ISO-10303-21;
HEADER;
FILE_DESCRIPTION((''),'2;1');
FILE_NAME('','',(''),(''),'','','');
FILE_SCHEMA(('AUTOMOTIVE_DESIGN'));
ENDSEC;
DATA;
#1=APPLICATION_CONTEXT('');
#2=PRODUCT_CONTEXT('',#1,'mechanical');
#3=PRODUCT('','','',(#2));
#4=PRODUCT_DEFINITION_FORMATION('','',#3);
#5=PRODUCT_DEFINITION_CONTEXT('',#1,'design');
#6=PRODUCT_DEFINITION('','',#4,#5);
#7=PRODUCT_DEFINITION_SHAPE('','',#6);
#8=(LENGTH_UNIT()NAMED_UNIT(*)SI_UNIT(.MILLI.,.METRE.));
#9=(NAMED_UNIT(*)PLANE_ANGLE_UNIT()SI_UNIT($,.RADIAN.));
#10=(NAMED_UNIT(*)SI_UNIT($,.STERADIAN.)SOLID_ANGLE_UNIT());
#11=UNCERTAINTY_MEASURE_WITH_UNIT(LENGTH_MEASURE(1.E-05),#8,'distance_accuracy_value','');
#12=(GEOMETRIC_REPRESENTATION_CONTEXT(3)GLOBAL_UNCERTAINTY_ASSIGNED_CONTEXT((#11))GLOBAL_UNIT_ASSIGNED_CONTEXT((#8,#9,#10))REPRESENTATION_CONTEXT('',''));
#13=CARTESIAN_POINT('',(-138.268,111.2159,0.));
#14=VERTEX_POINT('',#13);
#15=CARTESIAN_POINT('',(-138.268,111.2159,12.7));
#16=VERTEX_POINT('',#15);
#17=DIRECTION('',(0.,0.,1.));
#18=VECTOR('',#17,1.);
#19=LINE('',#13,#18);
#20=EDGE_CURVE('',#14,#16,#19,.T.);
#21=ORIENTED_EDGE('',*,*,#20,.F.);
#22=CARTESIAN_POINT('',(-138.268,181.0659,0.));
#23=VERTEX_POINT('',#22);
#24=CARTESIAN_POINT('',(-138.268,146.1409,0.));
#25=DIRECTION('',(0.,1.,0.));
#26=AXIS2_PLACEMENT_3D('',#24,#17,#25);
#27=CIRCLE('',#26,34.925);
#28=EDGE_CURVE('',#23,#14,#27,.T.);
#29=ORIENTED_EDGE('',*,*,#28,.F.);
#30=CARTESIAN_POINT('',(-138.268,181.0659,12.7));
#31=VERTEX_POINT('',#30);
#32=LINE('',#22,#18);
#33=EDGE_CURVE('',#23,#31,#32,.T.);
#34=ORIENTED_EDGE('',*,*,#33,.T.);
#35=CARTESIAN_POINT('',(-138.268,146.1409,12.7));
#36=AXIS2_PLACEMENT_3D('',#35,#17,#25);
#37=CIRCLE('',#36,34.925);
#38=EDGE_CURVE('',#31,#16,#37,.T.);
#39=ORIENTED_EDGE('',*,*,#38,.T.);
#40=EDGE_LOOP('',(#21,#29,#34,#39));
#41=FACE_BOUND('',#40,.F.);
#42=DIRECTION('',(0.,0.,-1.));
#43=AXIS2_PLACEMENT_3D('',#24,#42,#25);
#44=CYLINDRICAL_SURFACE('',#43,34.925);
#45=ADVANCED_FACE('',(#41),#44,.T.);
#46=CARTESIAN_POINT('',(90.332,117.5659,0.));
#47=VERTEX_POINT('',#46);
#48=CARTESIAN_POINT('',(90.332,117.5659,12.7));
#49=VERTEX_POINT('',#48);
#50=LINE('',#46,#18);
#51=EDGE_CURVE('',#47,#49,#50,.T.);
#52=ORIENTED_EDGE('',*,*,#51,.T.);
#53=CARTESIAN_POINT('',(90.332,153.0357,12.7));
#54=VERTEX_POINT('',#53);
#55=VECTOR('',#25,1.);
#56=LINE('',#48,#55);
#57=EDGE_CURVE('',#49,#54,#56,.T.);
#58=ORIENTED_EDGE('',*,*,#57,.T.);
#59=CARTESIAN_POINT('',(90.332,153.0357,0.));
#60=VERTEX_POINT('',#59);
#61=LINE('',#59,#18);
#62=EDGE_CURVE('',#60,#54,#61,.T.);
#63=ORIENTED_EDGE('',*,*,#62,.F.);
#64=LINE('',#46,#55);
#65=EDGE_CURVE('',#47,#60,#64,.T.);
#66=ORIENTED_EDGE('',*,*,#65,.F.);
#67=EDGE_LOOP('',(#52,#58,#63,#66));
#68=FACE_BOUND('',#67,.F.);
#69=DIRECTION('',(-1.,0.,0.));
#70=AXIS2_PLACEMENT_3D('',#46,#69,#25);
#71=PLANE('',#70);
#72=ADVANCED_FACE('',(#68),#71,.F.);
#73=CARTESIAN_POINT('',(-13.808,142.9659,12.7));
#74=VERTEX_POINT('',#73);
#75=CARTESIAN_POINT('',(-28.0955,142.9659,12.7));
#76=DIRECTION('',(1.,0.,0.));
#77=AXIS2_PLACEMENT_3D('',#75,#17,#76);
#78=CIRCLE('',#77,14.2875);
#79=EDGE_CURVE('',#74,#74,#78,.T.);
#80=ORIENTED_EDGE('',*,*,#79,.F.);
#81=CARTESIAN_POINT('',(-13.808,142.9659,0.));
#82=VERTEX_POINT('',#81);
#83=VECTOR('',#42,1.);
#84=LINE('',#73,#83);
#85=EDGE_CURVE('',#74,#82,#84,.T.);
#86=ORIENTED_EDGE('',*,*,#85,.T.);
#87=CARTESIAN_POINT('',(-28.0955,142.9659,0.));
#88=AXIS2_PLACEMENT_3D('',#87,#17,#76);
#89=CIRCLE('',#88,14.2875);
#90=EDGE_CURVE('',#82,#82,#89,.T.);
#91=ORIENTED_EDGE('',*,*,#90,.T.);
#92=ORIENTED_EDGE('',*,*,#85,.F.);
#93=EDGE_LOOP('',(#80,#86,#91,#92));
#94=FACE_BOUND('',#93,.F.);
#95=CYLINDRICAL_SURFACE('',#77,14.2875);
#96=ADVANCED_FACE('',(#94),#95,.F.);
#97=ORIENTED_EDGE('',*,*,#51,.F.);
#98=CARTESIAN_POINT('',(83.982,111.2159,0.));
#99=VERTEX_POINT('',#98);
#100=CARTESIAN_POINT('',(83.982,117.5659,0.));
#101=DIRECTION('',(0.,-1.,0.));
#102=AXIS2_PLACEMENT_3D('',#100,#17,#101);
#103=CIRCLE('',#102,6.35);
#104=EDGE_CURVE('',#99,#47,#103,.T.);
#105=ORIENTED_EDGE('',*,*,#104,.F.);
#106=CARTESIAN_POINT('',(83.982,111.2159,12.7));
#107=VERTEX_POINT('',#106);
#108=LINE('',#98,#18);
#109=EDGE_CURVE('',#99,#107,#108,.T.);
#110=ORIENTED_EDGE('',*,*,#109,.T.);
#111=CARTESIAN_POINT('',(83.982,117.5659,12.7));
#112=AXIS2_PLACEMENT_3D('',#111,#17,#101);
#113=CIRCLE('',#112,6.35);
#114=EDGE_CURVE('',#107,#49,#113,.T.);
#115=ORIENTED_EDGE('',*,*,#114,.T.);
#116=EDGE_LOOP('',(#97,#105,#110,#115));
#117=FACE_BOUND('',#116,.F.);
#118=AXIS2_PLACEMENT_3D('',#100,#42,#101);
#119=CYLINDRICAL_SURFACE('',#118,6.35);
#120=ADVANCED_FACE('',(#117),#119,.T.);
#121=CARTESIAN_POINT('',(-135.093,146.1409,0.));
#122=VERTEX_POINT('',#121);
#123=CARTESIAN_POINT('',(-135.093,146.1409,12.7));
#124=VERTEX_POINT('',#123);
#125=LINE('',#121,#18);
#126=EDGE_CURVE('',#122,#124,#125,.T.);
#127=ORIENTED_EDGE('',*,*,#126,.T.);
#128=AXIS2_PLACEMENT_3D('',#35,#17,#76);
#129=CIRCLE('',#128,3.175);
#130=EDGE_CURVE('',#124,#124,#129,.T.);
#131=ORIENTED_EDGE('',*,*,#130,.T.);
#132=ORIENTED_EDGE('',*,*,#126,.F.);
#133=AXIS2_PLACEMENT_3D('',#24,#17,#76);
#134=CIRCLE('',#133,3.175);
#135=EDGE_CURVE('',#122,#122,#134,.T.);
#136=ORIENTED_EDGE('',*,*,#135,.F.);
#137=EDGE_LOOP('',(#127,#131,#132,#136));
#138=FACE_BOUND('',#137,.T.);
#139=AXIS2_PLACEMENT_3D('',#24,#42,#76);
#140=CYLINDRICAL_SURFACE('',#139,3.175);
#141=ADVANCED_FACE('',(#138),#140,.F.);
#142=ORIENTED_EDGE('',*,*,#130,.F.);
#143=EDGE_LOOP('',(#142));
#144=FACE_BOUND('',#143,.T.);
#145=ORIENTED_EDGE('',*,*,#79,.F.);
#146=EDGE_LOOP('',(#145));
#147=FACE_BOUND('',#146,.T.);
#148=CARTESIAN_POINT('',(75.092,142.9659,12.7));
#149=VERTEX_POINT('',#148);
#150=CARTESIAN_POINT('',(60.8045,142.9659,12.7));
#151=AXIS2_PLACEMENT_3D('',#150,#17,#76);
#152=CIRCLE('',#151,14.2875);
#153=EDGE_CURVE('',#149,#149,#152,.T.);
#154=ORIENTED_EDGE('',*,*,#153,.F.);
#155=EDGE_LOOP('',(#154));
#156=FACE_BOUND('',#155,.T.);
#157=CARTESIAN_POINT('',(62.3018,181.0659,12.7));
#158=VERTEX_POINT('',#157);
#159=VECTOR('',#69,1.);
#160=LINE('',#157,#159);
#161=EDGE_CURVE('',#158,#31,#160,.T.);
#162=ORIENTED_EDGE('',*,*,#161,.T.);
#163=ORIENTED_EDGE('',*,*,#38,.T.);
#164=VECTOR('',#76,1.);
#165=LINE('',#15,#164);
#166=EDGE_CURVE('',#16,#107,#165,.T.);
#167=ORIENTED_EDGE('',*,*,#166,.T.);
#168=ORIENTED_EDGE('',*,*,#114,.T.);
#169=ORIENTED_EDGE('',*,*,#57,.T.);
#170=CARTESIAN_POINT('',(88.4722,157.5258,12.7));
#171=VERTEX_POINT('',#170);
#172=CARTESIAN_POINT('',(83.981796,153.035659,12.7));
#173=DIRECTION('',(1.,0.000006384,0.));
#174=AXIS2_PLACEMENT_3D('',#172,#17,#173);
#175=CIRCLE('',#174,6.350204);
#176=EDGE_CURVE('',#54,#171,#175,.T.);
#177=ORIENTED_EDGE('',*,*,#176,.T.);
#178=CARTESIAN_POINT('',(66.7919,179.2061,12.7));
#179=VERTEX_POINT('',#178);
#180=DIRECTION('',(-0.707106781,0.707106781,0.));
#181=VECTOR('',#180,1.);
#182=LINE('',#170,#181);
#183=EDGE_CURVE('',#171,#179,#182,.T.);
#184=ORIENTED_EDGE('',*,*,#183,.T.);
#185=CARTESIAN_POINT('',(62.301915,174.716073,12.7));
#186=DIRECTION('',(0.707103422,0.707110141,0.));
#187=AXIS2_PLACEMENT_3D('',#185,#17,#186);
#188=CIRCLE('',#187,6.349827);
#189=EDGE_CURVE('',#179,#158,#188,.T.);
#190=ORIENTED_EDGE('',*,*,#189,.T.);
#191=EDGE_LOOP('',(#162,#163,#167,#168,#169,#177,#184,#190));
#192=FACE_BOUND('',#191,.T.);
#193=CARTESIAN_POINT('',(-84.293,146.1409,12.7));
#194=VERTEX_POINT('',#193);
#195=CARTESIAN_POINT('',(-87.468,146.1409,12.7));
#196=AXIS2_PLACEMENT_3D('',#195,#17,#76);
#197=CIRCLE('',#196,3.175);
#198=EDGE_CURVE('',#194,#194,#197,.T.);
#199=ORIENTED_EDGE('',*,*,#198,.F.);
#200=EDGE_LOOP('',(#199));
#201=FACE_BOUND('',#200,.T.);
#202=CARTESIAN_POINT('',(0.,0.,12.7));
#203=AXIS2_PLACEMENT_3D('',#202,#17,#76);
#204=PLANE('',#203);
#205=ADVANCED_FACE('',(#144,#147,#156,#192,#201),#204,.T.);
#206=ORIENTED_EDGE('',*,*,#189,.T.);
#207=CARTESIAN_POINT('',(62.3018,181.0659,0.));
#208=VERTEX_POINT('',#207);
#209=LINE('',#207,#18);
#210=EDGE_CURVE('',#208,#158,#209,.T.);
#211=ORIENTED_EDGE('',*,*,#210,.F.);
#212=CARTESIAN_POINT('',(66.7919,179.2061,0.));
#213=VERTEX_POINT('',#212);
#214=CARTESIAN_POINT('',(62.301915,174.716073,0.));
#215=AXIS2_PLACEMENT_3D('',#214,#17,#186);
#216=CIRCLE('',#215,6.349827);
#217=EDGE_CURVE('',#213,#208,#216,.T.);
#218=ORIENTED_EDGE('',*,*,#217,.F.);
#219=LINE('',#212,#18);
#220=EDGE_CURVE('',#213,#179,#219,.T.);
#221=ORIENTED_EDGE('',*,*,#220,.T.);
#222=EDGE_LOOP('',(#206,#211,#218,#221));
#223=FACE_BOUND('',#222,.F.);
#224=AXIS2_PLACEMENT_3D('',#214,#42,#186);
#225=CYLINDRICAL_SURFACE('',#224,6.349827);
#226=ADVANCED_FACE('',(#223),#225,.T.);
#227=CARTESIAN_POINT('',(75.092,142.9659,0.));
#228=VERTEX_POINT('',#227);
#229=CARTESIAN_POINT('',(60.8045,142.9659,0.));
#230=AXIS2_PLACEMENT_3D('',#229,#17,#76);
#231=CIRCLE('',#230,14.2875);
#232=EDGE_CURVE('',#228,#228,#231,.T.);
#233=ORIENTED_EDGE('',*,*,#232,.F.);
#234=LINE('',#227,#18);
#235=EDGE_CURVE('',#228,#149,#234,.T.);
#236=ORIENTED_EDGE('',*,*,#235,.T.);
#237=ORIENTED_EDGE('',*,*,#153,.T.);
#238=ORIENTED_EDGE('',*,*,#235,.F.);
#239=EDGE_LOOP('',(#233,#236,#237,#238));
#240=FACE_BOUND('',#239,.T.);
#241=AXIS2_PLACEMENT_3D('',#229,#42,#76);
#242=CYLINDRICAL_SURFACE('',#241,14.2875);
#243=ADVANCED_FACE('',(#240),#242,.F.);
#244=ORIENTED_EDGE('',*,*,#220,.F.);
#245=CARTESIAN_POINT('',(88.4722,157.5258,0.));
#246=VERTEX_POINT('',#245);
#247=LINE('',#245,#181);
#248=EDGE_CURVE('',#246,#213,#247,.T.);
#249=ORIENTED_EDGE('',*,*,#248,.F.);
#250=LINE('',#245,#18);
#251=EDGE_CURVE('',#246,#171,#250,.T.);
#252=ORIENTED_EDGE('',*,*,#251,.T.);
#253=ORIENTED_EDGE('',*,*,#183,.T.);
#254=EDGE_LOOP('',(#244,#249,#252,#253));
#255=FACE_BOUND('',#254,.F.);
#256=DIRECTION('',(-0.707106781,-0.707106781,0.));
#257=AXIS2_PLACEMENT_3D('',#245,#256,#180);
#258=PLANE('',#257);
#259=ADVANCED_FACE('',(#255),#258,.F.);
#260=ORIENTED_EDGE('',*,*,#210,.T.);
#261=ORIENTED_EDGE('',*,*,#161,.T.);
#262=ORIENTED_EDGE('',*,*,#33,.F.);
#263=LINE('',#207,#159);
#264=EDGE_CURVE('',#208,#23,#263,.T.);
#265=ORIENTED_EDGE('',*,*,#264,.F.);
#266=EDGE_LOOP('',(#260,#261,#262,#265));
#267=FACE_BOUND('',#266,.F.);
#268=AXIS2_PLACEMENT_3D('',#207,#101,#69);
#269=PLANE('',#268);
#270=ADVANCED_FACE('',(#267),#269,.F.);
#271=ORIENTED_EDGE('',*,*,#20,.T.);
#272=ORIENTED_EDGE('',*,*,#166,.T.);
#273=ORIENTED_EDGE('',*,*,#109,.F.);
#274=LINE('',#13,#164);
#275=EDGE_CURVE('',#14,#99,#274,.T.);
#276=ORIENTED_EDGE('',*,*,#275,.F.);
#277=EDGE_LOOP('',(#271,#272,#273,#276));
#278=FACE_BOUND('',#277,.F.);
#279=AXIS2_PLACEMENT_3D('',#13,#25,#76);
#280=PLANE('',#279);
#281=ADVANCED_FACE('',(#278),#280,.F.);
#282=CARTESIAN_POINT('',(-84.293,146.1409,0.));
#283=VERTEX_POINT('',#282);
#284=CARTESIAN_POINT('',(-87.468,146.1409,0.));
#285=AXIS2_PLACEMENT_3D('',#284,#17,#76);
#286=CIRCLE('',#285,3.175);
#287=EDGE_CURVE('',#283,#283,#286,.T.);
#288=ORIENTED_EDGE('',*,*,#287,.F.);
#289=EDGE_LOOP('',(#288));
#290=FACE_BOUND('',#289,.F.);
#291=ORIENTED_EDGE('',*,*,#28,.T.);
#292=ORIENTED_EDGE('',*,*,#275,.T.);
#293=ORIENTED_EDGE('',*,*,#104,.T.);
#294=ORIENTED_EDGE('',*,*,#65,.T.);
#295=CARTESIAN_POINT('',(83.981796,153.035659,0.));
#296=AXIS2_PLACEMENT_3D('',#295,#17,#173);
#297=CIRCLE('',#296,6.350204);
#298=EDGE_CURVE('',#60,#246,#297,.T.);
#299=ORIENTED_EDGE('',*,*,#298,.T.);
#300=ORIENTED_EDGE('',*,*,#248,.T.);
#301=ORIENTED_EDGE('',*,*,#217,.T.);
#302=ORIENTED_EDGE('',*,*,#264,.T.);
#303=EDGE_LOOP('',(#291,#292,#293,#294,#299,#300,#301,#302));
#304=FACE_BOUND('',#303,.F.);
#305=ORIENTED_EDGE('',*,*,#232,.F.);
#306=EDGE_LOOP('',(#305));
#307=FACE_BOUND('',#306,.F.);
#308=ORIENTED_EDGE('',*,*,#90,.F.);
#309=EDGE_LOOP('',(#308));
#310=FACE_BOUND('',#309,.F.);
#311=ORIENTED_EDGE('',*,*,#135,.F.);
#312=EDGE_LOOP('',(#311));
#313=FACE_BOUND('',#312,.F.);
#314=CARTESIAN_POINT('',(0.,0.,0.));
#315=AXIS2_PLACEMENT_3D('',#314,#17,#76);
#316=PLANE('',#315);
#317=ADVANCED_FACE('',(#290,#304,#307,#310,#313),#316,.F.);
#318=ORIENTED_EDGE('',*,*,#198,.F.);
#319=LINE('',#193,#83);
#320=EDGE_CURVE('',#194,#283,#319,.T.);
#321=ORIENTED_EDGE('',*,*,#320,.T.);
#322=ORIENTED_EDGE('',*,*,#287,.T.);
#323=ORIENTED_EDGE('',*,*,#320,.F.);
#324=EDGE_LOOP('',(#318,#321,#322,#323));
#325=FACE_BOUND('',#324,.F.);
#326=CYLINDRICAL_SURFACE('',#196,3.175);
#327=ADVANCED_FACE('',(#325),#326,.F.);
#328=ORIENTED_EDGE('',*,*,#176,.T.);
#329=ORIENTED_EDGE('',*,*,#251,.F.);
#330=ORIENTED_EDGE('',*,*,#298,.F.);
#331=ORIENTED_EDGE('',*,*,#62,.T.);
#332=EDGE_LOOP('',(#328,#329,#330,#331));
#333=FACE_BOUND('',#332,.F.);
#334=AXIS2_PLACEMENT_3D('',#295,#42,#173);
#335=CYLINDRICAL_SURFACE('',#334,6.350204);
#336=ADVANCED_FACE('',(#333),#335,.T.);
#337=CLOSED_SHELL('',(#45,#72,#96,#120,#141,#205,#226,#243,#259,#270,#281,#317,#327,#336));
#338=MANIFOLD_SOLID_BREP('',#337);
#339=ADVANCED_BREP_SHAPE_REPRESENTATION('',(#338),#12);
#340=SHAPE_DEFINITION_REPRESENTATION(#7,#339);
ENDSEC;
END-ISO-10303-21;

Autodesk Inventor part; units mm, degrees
ref_plane "YZ Plane" through (0, 0, 0) normal (1, 0, 0) x (0, 1, 0)
ref_plane "XZ Plane" through (0, 0, 0) normal (0, 1, 0) x (-1, 0, 0)
ref_plane "XY Plane" through (0, 0, 0) normal (0, 0, 1) x (1, 0, 0)
sketch "Sketch1" plane through (0, 0, 0) normal (0, 0, 1) x (1, 0, 0)
  line L0 (90.332, 117.5659) -> (90.332, 153.0357)
  line L1 (88.4722, 157.5258) -> (66.7919, 179.2061)
  line L2 (62.3018, 181.0659) -> (-138.268, 181.0659)
  circle A0 centre (60.8045, 142.9659) radius 14.2875
  arc A1 (66.7919, 179.2061) -> (62.3018, 181.0659) centre (62.3018, 174.7159) ccw
  arc A2 (90.332, 153.0357) -> (88.4722, 157.5258) centre (83.982, 153.0357) ccw
  arc A3 (83.982, 111.2159) -> (90.332, 117.5659) centre (83.982, 117.5659) ccw
  line L3 (-138.268, 111.2159) -> (83.982, 111.2159)
  arc A4 (-138.268, 181.0659) -> (-138.268, 111.2159) centre (-138.268, 146.1409) ccw
  circle A5 centre (-138.268, 146.1409) radius 3.175
  dimension "d61" = 69.85
  dimension "d68" = 222.25
  dimension "d69" = 200.5697
  dimension "d71" = 28.575
  dimension "d72" = 6.35
extrude "Extrusion10" add sketch "Sketch1" along normal blind 12.7
sketch "Sketch8" plane through (0, 0, 12.7) normal (0, 0, 1) x (1, 0, 0)
  circle A0 centre (60.8045, 142.9659) radius 14.2875 projected
  circle A1 centre (-138.268, 146.1409) radius 3.175 projected
  line L0 (62.3018, 181.0659) -> (-138.268, 181.0659) projected
  arc A2 (-138.268, 181.0659) -> (-138.268, 111.2159) centre (-138.268, 146.1409) ccw projected
  line L1 (-138.268, 111.2159) -> (83.982, 111.2159) projected
  arc A3 (83.982, 111.2159) -> (90.332, 117.5659) centre (83.982, 117.5659) ccw projected
  line L2 (90.332, 117.5659) -> (90.332, 153.0357) projected
  arc A4 (90.332, 153.0357) -> (88.4722, 157.5258) centre (83.982, 153.0357) ccw projected
  line L3 (88.4722, 157.5258) -> (66.7919, 179.2061) projected
  arc A5 (66.7919, 179.2061) -> (62.3018, 181.0659) centre (62.3018, 174.7159) ccw projected
  circle A6 centre (60.8045, 142.9659) radius 50.8 construction
  line L4 (60.8045, 142.9659) -> (-28.0955, 142.9659) construction
  circle A7 centre (-28.0955, 142.9659) radius 14.2875
  point P0 (0, 0)
  dimension "d75" = 101.6
  dimension "d76" = 88.9
  dimension "d77" = 28.575
extrude "Extrusion11" cut sketch "Sketch8" against normal through all contours A7
sketch "Sketch9" plane through (0, 0, 12.7) normal (0, 0, 1) x (1, 0, 0)
  circle A0 centre (-28.0955, 142.9659) radius 14.2875 projected
  circle A1 centre (60.8045, 142.9659) radius 14.2875 projected
  circle A2 centre (-138.268, 146.1409) radius 3.175 projected
  line L0 (62.3018, 181.0659) -> (-138.268, 181.0659) projected
  arc A3 (-138.268, 181.0659) -> (-138.268, 111.2159) centre (-138.268, 146.1409) ccw projected
  line L1 (-138.268, 111.2159) -> (83.982, 111.2159) projected
  arc A4 (83.982, 111.2159) -> (90.332, 117.5659) centre (83.982, 117.5659) ccw projected
  line L2 (90.332, 117.5659) -> (90.332, 153.0357) projected
  arc A5 (90.332, 153.0357) -> (88.4722, 157.5258) centre (83.982, 153.0357) ccw projected
  line L3 (88.4722, 157.5258) -> (66.7919, 179.2061) projected
  arc A6 (66.7919, 179.2061) -> (62.3018, 181.0659) centre (62.3018, 174.7159) ccw projected
  line L4 (60.8045, 142.9659) -> (111.6045, 142.9659)
  line L5 (-173.193, 146.1409) -> (-173.193, 114.3909)
  line L6 (60.8045, 142.9659) -> (-173.193, 142.9659)
  point P0 (0, 0)
  dimension "d80" = 50.8
  dimension "d81" = 284.7975
sketch "Sketch10" plane through (0, 0, 12.7) normal (0, 0, 1) x (1, 0, 0)
  circle A0 centre (-28.0955, 142.9659) radius 14.2875 projected
  circle A1 centre (60.8045, 142.9659) radius 14.2875 projected
  circle A2 centre (-138.268, 146.1409) radius 3.175 projected
  line L0 (62.3018, 181.0659) -> (-138.268, 181.0659) projected
  arc A3 (-138.268, 181.0659) -> (-138.268, 111.2159) centre (-138.268, 146.1409) ccw projected
  line L1 (-138.268, 111.2159) -> (83.982, 111.2159) projected
  arc A4 (83.982, 111.2159) -> (90.332, 117.5659) centre (83.982, 117.5659) ccw projected
  line L2 (90.332, 117.5659) -> (90.332, 153.0357) projected
  arc A5 (90.332, 153.0357) -> (88.4722, 157.5258) centre (83.982, 153.0357) ccw projected
  line L3 (88.4722, 157.5258) -> (66.7919, 179.2061) projected
  arc A6 (66.7919, 179.2061) -> (62.3018, 181.0659) centre (62.3018, 174.7159) ccw projected
  line L4 (-138.268, 146.1409) -> (-87.468, 146.1409) construction
  circle A7 centre (-87.468, 146.1409) radius 3.175
  point P0 (0, 0)
  dimension "d82" = 50.8
  dimension "d83" = 6.35
extrude "Extrusion12" cut sketch "Sketch10" against normal through all contours A7
properties part number "Top IntakeBar"
